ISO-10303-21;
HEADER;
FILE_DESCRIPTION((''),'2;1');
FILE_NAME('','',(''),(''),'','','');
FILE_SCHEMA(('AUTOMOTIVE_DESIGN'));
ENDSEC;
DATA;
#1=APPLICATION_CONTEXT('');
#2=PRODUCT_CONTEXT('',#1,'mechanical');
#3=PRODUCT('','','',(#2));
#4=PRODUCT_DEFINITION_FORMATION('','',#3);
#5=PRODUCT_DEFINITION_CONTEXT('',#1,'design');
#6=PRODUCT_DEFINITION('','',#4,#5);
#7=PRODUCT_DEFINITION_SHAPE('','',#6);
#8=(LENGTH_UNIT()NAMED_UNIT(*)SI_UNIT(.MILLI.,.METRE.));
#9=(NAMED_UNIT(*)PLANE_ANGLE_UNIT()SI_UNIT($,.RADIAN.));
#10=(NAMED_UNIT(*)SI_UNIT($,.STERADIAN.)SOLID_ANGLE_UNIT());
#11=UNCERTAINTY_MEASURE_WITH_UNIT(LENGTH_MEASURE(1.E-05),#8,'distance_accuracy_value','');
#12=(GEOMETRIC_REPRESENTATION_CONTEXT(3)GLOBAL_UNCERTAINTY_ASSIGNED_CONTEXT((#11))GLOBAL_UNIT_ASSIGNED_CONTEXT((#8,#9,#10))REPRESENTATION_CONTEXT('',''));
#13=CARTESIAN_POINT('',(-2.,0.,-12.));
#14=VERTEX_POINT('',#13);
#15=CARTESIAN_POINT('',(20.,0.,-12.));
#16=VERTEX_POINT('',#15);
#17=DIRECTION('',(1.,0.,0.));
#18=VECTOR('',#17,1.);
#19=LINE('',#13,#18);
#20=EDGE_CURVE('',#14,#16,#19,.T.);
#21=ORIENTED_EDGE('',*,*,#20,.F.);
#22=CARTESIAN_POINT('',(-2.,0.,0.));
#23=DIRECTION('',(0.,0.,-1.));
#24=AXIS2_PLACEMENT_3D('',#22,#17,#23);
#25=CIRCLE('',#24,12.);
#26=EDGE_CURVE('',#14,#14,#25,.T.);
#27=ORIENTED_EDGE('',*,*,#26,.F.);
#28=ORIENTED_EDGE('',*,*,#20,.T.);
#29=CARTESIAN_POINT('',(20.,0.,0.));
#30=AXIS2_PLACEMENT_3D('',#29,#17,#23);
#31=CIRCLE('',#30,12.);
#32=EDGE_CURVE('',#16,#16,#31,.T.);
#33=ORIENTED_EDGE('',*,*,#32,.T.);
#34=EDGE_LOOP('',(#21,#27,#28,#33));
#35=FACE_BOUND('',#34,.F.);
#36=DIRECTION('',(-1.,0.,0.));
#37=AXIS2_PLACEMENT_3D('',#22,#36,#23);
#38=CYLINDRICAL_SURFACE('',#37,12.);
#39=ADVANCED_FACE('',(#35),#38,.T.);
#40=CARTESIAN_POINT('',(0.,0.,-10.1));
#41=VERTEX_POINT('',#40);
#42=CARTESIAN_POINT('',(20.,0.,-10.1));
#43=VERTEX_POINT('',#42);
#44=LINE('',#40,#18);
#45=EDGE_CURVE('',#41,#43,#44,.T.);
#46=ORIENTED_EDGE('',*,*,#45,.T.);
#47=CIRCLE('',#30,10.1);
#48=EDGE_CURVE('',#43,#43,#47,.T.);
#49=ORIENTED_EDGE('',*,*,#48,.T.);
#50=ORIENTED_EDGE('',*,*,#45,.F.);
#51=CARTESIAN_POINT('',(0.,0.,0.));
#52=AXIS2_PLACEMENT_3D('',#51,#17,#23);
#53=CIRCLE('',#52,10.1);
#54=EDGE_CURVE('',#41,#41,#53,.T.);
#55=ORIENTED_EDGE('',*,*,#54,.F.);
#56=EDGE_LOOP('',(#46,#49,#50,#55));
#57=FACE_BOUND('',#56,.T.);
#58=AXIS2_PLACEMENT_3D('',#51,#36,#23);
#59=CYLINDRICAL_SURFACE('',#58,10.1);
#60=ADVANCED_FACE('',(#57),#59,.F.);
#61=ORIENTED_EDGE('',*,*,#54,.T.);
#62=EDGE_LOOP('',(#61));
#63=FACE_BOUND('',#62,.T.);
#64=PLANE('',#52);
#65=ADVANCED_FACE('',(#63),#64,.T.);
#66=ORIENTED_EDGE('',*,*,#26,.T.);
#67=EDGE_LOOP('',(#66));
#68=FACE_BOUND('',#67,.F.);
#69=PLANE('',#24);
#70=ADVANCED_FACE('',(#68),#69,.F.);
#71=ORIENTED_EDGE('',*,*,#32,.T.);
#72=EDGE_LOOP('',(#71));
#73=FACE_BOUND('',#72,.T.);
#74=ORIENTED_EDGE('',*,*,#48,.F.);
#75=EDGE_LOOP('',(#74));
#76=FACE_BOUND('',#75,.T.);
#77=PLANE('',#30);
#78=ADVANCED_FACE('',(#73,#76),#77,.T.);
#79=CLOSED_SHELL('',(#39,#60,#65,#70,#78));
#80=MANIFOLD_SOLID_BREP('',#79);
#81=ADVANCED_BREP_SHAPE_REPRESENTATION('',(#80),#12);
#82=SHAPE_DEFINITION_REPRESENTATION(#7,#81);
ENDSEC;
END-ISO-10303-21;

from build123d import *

# Parameters (mm, degrees)
CYLINDER_R              = 10.1
CYLINDER_DEPTH          = 20
CYLINDER_PITCH_ANGLE    = 90
CYLINDER001_R           = 12
CYLINDER001_DEPTH       = 22
CYLINDER001_PITCH_ANGLE = 90


with BuildPart() as cylinder:
    # Cylinder → Cylinder (new body)
    with BuildSketch(Plane.XY):
        Circle(CYLINDER_R)
    extrude(amount=CYLINDER_DEPTH)


with BuildPart() as cylinder_1:
    # Cylinder pitch: moved
    add(cylinder.part.rotate(Axis((0, 0, 0), (0, 1, 0)), CYLINDER_PITCH_ANGLE))


with BuildPart() as cylinder_2:
    # Cylinder placement: moved
    add(cylinder_1.part)


with BuildPart() as cut:
    # Cylinder001 → Cylinder001 (new body)
    with BuildSketch(Plane.XY):
        Circle(CYLINDER001_R)
    extrude(amount=CYLINDER001_DEPTH)


with BuildPart() as cut_1:
    # Cylinder001 pitch: moved
    add(cut.part.rotate(Axis((0, 0, 0), (0, 1, 0)), CYLINDER001_PITCH_ANGLE))


with BuildPart() as cut_2:
    # Cylinder001 placement: moved
    add(cut_1.part.moved(Location((-2, 0, 0))))

    # Cut: cut Cylinder
    add(cylinder_2.part, mode=Mode.SUBTRACT)


solid = cut_2.part
